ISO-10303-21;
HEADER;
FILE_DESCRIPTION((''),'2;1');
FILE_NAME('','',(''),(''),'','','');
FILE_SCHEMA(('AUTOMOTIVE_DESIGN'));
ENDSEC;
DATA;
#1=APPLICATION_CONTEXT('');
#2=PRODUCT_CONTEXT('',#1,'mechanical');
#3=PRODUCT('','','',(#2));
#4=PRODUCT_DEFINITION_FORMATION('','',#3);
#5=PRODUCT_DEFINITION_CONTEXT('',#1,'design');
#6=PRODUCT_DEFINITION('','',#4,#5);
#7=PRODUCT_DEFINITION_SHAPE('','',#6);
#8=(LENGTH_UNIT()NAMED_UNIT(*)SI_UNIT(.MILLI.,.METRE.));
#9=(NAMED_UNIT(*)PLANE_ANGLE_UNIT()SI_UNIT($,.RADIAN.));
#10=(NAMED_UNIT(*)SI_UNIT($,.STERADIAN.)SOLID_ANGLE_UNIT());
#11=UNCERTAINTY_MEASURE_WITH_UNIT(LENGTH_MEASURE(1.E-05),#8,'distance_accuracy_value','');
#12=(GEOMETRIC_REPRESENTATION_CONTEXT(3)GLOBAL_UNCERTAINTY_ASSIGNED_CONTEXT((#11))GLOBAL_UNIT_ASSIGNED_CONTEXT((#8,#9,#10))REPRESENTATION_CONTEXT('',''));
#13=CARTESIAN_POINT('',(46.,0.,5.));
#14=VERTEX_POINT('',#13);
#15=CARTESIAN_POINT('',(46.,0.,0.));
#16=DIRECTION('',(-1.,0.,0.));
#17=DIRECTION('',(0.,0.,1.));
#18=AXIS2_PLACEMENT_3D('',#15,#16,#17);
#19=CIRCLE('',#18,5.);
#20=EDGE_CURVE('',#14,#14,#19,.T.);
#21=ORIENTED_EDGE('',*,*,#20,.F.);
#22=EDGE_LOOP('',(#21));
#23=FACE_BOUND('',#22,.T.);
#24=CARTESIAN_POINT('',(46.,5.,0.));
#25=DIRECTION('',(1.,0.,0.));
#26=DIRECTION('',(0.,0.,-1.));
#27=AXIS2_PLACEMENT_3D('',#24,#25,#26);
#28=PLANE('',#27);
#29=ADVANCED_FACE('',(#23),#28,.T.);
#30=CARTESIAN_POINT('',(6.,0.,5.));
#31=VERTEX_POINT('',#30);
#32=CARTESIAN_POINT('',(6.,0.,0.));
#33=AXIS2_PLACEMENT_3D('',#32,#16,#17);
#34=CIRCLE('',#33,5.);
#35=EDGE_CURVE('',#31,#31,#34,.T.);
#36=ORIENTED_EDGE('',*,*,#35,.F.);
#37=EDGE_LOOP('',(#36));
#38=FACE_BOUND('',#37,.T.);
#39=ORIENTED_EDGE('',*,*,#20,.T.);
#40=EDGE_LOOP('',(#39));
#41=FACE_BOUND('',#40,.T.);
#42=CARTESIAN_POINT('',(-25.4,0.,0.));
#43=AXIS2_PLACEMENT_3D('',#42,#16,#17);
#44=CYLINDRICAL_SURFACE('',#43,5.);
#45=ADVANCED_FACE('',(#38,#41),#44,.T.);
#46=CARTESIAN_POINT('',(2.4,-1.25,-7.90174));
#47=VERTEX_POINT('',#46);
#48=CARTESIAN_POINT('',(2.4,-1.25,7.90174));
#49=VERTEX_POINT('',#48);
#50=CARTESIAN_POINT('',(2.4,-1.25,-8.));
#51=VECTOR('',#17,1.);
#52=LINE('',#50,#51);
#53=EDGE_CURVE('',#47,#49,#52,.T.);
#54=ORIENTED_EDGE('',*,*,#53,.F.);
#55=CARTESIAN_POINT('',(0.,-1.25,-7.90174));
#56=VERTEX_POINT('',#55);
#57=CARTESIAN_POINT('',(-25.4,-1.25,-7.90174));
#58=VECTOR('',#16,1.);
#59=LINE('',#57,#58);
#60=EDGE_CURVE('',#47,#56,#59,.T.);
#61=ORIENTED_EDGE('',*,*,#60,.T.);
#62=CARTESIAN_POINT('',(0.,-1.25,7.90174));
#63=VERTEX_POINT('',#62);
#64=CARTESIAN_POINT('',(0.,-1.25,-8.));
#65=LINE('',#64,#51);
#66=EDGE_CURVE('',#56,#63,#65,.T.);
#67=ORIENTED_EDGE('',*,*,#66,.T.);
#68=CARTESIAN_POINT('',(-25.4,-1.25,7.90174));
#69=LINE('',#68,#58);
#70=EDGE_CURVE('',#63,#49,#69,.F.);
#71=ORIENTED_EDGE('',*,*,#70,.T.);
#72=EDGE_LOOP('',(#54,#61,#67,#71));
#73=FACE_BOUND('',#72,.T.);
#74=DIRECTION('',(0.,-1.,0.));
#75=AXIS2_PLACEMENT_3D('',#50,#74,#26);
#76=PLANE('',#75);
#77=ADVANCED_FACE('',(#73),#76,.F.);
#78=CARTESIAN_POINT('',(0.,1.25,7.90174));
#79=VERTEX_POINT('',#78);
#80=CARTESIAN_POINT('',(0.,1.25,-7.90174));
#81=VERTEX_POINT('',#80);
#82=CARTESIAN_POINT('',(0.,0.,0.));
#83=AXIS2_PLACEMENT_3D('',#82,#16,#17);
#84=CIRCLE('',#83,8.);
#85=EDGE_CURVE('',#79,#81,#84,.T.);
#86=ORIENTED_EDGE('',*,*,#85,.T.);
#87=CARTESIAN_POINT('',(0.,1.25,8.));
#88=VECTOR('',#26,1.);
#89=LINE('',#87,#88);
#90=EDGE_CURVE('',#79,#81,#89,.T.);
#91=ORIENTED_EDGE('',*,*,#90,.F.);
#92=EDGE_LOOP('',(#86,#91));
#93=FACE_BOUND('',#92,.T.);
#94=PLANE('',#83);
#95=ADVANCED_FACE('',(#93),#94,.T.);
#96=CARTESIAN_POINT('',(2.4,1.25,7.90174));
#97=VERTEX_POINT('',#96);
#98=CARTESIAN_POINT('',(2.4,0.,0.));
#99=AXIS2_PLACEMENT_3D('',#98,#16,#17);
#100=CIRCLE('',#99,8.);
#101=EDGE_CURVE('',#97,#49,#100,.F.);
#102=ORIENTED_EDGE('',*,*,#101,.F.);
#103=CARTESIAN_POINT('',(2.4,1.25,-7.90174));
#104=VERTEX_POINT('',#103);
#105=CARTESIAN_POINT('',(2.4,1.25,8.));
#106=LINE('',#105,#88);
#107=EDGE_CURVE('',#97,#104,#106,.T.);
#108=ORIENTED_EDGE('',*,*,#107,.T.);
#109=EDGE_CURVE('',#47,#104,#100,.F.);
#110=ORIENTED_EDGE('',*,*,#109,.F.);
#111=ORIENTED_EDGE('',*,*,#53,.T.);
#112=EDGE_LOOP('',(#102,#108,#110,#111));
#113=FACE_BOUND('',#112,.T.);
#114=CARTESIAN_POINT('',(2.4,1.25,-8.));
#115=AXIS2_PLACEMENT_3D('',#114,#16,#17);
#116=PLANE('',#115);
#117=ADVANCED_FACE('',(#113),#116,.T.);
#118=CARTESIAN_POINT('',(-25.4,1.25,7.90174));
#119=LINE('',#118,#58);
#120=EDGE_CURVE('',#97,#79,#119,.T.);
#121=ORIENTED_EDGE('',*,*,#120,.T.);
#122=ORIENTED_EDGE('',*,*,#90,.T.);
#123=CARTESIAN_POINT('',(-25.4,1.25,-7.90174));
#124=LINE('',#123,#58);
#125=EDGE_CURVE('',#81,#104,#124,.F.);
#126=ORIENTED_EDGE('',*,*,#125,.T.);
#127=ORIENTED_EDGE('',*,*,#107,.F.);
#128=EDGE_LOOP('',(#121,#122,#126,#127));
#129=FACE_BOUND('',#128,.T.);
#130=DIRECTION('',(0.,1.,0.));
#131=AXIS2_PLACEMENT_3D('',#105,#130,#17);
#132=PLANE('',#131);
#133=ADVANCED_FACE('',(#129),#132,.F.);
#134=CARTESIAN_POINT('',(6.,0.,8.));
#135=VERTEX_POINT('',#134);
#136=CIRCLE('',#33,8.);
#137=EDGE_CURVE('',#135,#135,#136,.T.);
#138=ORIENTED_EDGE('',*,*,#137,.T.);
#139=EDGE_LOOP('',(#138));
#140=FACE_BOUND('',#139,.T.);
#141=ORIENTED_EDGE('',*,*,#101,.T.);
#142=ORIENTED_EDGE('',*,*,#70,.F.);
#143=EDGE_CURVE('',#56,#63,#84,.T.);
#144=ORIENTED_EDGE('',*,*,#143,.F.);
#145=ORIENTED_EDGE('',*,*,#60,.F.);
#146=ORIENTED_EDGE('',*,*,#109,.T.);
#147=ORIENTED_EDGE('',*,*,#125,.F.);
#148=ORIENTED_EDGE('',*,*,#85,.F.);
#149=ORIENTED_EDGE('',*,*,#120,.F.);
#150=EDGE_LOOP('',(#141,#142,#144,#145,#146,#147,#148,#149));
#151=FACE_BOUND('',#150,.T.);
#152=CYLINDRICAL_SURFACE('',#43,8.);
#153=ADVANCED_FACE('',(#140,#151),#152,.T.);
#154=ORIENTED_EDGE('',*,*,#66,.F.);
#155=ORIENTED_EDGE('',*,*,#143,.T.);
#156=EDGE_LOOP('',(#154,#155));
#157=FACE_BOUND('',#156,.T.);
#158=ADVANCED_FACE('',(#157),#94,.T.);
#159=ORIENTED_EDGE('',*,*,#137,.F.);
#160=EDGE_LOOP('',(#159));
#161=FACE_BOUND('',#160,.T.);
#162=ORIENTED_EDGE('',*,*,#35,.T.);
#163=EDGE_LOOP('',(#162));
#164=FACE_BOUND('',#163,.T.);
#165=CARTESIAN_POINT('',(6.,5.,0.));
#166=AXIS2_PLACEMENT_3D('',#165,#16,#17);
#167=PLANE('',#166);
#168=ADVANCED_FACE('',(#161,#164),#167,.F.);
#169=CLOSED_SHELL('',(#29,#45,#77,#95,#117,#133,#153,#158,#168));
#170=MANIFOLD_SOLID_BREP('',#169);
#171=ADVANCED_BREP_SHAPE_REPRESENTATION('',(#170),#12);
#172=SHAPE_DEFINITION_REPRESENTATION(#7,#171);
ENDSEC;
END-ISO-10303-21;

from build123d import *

# Parameters (mm, degrees)
SKETCH2_W  = 16
SKETCH2_H  = 2.5
SLOT_DEPTH = 2.4


with BuildPart() as part:
    # BodySke → Base-Revolve (revolve)
    with BuildSketch(Plane.XY, mode=Mode.PRIVATE) as base_revolve_sk:
        Polygon((6, 5), (6, 8), (0, 8), (0, 0), (46, 0), (46, 5), align=None)
    revolve(base_revolve_sk.sketch.rotate(Axis((-25.4, 0, 0), (1, 0, 0)), 90), axis=Axis((-25.4, 0, 0), (1, 0, 0)))

    # Sketch2 → Slot (cut)
    with BuildSketch(Plane(origin=(0, 0, 0), x_dir=(0, 0, -1), z_dir=(1, 0, 0))):
        Rectangle(SKETCH2_W, SKETCH2_H)
    extrude(amount=SLOT_DEPTH, mode=Mode.SUBTRACT)


solid = part.part
